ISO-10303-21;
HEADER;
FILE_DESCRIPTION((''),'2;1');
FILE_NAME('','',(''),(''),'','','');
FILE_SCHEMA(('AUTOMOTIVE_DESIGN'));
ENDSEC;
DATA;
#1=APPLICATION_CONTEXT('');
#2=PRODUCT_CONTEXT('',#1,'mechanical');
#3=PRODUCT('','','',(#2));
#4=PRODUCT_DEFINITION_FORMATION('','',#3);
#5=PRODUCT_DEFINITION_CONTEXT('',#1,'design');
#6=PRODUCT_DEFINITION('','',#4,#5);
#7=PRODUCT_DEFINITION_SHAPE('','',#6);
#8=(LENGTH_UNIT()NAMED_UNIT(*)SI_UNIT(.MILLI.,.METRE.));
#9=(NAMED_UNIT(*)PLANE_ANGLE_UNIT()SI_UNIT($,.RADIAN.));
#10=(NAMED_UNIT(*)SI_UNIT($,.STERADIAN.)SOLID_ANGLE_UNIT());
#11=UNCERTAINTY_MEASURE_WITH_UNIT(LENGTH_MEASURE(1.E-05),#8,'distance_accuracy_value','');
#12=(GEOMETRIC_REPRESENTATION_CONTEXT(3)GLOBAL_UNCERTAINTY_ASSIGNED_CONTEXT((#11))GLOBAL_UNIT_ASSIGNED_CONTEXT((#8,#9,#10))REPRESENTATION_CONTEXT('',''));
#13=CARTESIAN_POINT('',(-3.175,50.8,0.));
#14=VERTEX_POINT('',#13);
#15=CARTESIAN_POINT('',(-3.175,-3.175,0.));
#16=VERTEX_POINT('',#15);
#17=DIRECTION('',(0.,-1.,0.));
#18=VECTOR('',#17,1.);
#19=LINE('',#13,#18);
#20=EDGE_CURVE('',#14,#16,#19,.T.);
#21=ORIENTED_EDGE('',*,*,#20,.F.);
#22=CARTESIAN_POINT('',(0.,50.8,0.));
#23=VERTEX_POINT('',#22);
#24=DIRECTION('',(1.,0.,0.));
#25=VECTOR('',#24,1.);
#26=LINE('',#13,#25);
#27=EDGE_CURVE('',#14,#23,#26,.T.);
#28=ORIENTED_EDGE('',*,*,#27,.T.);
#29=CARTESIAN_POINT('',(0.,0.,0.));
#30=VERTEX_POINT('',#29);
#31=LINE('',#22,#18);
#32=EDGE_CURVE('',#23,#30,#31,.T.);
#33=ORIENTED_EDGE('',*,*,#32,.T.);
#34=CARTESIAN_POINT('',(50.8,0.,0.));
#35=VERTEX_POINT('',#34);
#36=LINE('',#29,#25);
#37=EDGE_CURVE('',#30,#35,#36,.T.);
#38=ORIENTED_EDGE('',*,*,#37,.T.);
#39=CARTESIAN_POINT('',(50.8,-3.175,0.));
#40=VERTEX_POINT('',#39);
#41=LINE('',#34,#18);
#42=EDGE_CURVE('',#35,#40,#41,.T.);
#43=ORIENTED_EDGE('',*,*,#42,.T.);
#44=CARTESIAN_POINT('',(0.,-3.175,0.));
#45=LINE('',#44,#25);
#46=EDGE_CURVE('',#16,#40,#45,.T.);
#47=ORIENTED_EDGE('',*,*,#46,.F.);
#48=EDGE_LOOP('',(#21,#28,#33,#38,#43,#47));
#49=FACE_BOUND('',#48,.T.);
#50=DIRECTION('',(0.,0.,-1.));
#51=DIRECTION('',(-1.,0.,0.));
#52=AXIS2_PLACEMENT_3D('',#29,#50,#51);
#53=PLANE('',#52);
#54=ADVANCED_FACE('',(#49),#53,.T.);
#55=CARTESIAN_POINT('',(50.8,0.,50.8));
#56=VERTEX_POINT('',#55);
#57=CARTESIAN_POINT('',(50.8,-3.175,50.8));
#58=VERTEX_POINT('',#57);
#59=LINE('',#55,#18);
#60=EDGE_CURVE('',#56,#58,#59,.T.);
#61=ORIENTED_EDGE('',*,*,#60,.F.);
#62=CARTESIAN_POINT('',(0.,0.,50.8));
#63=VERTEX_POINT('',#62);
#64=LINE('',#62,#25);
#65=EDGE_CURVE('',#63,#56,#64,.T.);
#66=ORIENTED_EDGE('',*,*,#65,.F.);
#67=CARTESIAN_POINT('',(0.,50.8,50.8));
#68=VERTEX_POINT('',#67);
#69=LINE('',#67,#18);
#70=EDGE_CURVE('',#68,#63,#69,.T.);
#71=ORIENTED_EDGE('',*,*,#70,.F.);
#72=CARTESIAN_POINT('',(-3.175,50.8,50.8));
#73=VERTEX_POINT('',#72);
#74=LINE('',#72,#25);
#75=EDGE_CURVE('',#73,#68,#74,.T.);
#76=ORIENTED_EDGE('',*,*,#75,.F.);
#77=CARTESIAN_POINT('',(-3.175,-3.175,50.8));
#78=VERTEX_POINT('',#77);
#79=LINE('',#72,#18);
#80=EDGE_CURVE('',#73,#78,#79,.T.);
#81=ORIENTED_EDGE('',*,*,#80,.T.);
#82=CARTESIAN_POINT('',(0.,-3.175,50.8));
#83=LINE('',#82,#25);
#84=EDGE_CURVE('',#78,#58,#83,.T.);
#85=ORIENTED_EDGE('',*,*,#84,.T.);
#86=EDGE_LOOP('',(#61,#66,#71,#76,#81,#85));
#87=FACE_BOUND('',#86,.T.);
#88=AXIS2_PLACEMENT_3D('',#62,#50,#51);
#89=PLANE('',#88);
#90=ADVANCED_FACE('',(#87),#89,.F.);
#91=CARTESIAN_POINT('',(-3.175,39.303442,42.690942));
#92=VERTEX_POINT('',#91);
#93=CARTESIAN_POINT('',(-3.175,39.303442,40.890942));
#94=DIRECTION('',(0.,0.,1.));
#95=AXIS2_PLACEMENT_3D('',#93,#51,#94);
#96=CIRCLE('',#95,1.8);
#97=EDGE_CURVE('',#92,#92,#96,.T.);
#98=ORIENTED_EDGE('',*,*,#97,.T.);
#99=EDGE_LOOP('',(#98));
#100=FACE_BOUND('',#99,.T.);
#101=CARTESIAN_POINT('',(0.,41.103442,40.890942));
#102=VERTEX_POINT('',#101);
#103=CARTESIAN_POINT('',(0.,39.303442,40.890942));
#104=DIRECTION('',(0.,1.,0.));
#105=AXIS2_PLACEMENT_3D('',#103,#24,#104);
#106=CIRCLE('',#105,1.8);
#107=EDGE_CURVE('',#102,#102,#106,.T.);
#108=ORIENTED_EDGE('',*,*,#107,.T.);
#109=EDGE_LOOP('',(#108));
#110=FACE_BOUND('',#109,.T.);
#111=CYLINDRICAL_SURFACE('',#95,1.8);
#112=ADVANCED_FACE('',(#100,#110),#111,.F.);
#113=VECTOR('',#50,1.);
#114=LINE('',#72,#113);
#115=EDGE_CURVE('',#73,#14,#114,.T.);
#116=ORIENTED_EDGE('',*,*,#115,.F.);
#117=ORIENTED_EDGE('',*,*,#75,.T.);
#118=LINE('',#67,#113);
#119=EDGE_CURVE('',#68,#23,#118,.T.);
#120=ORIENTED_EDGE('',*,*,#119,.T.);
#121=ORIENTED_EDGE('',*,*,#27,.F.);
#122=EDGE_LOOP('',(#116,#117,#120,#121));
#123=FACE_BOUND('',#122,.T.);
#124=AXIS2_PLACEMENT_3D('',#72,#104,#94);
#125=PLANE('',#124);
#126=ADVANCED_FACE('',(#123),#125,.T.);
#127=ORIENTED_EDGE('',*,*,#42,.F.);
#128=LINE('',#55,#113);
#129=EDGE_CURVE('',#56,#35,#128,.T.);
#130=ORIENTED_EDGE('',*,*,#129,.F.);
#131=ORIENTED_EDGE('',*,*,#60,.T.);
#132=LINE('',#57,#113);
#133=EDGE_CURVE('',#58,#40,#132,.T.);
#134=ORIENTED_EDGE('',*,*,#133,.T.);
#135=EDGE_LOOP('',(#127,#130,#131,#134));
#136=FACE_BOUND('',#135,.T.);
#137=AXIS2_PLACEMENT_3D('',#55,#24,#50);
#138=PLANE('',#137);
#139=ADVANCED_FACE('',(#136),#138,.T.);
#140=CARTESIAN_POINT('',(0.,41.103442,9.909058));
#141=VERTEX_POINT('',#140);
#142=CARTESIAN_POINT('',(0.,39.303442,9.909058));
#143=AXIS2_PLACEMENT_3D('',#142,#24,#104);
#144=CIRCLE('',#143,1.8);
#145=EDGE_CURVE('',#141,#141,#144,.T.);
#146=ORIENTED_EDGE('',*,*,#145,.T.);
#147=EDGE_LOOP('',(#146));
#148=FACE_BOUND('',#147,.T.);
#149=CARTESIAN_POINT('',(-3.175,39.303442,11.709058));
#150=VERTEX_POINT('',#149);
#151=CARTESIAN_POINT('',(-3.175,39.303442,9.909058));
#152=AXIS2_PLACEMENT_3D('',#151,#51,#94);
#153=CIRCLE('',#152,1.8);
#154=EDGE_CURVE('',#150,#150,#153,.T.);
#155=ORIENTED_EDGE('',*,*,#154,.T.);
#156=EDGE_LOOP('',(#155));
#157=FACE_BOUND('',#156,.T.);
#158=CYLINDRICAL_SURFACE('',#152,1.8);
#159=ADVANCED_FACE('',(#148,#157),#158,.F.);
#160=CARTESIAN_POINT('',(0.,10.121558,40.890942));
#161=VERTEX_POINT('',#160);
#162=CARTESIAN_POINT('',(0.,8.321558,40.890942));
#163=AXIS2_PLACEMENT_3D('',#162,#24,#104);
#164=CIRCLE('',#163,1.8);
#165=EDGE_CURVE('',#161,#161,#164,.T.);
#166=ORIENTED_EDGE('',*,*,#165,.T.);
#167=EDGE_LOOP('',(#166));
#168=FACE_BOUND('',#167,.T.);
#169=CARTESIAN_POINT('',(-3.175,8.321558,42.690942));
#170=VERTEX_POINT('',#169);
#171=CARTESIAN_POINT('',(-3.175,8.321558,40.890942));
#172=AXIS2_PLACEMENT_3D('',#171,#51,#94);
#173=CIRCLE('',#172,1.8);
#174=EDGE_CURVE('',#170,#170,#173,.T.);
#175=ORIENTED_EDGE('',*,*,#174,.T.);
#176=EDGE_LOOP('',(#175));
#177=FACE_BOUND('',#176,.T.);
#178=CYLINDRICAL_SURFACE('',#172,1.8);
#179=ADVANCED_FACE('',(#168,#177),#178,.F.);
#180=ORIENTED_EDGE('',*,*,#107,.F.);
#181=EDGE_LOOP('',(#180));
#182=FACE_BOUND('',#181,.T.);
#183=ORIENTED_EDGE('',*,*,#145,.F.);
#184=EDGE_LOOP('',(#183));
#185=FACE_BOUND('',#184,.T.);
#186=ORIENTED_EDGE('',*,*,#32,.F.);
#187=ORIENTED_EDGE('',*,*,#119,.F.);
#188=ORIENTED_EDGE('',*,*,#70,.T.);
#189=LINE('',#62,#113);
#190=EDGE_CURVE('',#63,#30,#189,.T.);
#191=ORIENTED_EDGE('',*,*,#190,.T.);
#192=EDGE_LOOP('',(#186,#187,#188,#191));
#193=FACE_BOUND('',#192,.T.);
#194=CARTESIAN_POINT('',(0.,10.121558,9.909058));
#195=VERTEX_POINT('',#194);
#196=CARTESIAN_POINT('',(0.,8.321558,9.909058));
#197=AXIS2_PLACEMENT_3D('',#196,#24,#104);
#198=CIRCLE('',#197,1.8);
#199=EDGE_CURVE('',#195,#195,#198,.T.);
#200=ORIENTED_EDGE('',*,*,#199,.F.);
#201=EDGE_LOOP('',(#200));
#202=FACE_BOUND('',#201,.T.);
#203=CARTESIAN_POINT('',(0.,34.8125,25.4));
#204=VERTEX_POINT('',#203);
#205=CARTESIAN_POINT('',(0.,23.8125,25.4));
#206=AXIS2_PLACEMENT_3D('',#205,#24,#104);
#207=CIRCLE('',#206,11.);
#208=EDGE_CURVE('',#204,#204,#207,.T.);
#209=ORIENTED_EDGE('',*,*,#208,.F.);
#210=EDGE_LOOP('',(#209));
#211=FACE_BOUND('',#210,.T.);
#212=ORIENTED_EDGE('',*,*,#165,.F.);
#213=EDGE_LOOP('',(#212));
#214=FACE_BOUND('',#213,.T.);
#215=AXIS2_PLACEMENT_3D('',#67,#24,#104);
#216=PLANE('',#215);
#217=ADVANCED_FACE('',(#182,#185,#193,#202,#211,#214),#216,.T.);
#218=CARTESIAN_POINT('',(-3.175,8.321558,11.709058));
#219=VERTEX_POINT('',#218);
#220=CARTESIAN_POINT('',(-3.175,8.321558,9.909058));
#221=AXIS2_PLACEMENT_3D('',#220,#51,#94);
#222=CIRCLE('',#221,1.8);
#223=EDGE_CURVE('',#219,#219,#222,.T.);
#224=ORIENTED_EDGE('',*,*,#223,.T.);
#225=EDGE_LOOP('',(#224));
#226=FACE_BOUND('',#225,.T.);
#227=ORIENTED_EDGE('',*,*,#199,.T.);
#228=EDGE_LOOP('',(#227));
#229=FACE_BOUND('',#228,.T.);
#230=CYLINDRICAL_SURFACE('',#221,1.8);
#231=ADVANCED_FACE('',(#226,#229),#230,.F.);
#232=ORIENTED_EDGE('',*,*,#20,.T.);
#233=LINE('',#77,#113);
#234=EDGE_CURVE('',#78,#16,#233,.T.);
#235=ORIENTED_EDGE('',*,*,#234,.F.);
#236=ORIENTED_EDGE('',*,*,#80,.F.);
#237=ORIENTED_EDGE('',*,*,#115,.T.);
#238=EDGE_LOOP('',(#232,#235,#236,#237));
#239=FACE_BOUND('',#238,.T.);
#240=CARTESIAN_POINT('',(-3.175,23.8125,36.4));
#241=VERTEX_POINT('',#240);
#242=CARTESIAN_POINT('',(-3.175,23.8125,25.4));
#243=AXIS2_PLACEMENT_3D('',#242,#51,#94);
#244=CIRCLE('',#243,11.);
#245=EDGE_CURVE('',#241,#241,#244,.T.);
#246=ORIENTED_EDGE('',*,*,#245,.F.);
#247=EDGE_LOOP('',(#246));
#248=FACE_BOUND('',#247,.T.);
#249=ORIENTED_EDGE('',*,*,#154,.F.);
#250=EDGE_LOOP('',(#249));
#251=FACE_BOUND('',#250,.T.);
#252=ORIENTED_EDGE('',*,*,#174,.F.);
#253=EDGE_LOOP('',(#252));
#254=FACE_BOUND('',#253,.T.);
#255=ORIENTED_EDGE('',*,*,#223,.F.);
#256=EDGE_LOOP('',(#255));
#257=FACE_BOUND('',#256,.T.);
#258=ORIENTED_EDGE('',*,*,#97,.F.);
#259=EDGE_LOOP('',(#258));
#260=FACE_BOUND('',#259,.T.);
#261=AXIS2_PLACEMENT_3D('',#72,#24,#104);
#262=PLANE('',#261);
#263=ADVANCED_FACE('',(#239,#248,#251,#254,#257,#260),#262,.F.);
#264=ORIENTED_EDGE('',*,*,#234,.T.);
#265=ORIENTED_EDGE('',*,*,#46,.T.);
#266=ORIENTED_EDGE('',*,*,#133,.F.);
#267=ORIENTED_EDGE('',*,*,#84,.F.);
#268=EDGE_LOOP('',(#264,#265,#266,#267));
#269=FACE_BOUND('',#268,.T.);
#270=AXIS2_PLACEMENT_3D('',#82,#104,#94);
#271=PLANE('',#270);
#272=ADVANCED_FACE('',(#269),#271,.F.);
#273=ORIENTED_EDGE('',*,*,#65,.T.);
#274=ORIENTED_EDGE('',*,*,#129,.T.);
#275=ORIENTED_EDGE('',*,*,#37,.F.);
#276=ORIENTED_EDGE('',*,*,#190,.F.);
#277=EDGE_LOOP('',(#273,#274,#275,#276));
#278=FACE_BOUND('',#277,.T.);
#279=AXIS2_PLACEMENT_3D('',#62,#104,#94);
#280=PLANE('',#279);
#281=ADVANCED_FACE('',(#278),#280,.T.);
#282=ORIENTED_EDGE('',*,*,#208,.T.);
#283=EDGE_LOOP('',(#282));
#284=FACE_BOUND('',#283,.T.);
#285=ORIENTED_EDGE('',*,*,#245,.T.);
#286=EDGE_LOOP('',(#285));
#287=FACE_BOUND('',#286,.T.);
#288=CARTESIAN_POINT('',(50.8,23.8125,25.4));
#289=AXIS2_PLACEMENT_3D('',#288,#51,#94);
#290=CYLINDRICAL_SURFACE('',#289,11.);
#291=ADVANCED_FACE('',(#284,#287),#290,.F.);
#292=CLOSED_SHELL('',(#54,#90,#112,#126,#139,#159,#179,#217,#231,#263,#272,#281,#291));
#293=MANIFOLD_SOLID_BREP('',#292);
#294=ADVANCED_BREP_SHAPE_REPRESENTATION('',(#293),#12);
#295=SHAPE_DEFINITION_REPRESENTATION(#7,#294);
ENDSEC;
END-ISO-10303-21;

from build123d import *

# Parameters (mm, degrees)
EXTRUDE_THIN1_DEPTH  = 50.8
SKETCH2_R            = 11
CUT_EXTRUDE1_DEPTH   = 90.858670283
M3_CLEARANCE_HOLE1_D = 3.6


with BuildPart() as part:
    # Sketch1 → Extrude-Thin1 (new body)
    with BuildSketch(Plane.XY):
        Polygon((0, 50.8), (0, 0), (50.8, 0), (50.8, -3.175), (-3.175, -3.175), (-3.175, 50.8), align=None)
    extrude(amount=EXTRUDE_THIN1_DEPTH)

    # Sketch2 → Cut-Extrude1 (cut, through all)
    with BuildSketch(Plane.ZY.offset(3.175)):
        with Locations((25.4, 23.8125)):
            Circle(SKETCH2_R)
    extrude(amount=-CUT_EXTRUDE1_DEPTH, mode=Mode.SUBTRACT)

    # M3 Clearance Hole1 (through all)
    with Locations(Plane.ZY.offset(3.175)):
        with Locations((9.909058191, 39.303441809), (40.890941809, 39.303441809), (40.890941809, 8.321558191), (9.909058191, 8.321558191)):
            Hole(M3_CLEARANCE_HOLE1_D / 2)


solid = part.part
